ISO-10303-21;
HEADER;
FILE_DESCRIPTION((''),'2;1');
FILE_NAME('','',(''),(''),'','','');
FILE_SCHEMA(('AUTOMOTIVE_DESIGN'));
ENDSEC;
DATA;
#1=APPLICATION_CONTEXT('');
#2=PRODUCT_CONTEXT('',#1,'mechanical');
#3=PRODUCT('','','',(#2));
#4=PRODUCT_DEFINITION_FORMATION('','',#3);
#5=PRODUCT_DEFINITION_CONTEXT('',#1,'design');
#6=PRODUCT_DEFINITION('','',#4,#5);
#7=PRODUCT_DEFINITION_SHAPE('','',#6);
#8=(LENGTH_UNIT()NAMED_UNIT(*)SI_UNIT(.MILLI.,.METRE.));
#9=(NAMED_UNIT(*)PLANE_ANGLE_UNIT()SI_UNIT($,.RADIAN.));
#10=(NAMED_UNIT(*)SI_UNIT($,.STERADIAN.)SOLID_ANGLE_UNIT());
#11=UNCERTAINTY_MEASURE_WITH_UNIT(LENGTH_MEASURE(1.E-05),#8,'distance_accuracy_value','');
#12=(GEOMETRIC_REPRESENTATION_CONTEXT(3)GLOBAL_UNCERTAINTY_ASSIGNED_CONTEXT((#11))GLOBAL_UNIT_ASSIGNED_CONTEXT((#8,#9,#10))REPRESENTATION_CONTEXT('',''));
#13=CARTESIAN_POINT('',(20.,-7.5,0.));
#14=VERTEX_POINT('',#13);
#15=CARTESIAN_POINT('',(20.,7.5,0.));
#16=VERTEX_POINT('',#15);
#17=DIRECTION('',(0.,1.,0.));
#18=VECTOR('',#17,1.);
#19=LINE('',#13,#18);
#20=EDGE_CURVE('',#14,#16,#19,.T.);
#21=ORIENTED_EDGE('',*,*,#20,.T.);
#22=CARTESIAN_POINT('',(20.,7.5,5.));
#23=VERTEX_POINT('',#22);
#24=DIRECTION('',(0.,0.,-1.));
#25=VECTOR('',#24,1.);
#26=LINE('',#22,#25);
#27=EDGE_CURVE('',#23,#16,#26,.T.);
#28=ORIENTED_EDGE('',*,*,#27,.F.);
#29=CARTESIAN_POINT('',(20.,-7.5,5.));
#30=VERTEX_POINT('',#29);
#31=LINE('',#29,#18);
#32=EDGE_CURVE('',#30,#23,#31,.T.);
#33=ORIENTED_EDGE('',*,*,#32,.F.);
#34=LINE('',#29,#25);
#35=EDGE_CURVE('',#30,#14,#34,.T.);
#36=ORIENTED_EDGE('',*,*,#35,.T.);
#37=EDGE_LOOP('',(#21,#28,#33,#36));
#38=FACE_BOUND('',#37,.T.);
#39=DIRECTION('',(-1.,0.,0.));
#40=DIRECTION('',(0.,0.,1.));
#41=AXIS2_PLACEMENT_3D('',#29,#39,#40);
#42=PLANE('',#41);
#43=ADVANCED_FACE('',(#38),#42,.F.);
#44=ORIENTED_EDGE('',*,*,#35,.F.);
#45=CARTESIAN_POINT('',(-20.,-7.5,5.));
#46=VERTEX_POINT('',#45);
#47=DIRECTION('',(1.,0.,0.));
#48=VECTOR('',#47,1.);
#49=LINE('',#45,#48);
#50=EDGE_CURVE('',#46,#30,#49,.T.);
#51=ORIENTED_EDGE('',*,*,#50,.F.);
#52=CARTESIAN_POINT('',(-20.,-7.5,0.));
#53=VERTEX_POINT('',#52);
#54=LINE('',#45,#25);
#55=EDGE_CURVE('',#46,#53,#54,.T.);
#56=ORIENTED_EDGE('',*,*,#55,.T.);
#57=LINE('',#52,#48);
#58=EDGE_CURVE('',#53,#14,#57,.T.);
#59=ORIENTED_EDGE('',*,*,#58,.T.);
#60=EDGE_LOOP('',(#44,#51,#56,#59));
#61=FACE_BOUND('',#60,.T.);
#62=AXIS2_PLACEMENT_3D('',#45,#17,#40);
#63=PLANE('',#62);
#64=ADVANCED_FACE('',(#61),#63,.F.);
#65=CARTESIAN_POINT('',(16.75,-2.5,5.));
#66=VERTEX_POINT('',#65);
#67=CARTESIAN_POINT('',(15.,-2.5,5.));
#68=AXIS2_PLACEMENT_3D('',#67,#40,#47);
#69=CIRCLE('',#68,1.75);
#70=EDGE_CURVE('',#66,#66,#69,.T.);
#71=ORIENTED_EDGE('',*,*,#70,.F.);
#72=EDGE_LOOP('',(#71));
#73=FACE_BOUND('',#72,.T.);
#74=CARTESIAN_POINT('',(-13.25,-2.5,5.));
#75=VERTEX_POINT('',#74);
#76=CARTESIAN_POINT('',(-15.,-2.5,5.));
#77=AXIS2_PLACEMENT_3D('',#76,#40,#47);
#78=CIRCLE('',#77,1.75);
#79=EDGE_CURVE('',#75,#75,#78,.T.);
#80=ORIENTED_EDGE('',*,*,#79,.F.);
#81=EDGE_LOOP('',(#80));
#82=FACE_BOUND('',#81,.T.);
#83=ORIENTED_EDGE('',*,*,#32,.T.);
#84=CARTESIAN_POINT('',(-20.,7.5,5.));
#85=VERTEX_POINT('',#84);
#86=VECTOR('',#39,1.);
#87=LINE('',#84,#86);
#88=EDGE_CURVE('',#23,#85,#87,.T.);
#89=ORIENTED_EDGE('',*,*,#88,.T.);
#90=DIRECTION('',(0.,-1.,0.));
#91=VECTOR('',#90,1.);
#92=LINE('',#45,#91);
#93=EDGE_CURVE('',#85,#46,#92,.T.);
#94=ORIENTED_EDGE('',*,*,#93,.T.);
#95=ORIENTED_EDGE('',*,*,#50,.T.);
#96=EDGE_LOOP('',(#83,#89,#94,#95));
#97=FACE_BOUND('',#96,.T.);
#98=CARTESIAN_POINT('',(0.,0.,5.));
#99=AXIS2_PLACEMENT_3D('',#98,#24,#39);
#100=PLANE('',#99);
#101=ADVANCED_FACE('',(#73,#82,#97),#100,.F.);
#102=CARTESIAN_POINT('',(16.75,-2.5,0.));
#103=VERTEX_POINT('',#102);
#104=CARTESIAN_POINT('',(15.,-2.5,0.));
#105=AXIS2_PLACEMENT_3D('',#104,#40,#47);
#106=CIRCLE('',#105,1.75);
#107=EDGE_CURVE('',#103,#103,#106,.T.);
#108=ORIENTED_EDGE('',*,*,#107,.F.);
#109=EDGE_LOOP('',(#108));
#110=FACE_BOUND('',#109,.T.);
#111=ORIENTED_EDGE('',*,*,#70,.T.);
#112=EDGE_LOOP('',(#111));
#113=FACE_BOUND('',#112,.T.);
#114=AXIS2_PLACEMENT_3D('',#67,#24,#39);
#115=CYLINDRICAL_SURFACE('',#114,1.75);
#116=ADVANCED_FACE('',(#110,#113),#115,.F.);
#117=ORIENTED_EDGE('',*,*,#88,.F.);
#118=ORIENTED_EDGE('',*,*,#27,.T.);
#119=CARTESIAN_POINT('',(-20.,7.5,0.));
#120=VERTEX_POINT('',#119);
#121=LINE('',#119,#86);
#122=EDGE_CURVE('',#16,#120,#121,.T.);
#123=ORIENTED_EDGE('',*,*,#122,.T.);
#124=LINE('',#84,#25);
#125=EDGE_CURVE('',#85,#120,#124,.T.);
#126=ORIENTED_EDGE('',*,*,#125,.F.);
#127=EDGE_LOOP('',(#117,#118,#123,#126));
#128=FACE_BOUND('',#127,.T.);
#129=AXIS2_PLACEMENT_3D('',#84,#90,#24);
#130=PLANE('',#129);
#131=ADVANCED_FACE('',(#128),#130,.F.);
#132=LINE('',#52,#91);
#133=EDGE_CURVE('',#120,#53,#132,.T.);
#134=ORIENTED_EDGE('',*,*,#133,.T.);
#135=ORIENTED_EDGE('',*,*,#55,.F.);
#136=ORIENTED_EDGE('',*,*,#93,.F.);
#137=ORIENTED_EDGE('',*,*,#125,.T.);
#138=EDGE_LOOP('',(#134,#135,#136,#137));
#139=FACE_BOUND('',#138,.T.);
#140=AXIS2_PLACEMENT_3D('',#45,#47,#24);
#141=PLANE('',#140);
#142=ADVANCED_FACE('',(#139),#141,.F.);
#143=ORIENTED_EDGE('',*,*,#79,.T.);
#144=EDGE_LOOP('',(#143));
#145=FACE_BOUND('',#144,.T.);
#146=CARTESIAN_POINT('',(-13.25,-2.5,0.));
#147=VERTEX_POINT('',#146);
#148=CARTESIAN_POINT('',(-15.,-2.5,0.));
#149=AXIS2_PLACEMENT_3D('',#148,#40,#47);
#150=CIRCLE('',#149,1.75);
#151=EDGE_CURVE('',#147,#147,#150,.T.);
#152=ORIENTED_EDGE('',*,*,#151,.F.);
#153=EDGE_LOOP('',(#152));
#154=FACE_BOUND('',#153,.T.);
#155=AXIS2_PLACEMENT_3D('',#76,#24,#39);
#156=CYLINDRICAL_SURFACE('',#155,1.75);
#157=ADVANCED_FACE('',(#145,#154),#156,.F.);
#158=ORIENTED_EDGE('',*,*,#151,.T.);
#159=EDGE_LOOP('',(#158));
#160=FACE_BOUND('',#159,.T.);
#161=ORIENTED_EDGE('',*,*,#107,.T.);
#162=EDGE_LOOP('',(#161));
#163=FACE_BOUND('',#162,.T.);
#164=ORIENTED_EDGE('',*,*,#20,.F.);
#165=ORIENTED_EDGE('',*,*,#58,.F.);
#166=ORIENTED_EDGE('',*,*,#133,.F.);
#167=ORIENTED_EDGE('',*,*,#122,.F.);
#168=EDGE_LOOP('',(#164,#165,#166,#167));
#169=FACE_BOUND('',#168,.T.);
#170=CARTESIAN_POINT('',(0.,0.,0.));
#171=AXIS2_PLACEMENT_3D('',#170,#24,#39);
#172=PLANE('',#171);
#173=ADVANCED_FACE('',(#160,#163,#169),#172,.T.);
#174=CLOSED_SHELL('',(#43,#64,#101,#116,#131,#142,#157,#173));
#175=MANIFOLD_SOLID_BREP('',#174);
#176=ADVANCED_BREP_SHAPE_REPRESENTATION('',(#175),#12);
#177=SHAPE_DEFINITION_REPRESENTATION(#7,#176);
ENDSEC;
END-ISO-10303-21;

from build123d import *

# Parameters (mm, degrees)
SZKIC1_W                    = 40
SZKIC1_H                    = 15
SZKIC1_R                    = 1.75
DODANIE_WYCI_GNI_CIE1_DEPTH = 5


with BuildPart() as part:
    # Szkic1 → Dodanie-wyciągnięcie1 (new body)
    with BuildSketch(Plane.XY):
        Rectangle(SZKIC1_W, SZKIC1_H)
        with Locations((-15, -2.5)):
            Circle(SZKIC1_R, mode=Mode.SUBTRACT)
        with Locations((15, -2.5)):
            Circle(SZKIC1_R, mode=Mode.SUBTRACT)
    extrude(amount=DODANIE_WYCI_GNI_CIE1_DEPTH)


solid = part.part
